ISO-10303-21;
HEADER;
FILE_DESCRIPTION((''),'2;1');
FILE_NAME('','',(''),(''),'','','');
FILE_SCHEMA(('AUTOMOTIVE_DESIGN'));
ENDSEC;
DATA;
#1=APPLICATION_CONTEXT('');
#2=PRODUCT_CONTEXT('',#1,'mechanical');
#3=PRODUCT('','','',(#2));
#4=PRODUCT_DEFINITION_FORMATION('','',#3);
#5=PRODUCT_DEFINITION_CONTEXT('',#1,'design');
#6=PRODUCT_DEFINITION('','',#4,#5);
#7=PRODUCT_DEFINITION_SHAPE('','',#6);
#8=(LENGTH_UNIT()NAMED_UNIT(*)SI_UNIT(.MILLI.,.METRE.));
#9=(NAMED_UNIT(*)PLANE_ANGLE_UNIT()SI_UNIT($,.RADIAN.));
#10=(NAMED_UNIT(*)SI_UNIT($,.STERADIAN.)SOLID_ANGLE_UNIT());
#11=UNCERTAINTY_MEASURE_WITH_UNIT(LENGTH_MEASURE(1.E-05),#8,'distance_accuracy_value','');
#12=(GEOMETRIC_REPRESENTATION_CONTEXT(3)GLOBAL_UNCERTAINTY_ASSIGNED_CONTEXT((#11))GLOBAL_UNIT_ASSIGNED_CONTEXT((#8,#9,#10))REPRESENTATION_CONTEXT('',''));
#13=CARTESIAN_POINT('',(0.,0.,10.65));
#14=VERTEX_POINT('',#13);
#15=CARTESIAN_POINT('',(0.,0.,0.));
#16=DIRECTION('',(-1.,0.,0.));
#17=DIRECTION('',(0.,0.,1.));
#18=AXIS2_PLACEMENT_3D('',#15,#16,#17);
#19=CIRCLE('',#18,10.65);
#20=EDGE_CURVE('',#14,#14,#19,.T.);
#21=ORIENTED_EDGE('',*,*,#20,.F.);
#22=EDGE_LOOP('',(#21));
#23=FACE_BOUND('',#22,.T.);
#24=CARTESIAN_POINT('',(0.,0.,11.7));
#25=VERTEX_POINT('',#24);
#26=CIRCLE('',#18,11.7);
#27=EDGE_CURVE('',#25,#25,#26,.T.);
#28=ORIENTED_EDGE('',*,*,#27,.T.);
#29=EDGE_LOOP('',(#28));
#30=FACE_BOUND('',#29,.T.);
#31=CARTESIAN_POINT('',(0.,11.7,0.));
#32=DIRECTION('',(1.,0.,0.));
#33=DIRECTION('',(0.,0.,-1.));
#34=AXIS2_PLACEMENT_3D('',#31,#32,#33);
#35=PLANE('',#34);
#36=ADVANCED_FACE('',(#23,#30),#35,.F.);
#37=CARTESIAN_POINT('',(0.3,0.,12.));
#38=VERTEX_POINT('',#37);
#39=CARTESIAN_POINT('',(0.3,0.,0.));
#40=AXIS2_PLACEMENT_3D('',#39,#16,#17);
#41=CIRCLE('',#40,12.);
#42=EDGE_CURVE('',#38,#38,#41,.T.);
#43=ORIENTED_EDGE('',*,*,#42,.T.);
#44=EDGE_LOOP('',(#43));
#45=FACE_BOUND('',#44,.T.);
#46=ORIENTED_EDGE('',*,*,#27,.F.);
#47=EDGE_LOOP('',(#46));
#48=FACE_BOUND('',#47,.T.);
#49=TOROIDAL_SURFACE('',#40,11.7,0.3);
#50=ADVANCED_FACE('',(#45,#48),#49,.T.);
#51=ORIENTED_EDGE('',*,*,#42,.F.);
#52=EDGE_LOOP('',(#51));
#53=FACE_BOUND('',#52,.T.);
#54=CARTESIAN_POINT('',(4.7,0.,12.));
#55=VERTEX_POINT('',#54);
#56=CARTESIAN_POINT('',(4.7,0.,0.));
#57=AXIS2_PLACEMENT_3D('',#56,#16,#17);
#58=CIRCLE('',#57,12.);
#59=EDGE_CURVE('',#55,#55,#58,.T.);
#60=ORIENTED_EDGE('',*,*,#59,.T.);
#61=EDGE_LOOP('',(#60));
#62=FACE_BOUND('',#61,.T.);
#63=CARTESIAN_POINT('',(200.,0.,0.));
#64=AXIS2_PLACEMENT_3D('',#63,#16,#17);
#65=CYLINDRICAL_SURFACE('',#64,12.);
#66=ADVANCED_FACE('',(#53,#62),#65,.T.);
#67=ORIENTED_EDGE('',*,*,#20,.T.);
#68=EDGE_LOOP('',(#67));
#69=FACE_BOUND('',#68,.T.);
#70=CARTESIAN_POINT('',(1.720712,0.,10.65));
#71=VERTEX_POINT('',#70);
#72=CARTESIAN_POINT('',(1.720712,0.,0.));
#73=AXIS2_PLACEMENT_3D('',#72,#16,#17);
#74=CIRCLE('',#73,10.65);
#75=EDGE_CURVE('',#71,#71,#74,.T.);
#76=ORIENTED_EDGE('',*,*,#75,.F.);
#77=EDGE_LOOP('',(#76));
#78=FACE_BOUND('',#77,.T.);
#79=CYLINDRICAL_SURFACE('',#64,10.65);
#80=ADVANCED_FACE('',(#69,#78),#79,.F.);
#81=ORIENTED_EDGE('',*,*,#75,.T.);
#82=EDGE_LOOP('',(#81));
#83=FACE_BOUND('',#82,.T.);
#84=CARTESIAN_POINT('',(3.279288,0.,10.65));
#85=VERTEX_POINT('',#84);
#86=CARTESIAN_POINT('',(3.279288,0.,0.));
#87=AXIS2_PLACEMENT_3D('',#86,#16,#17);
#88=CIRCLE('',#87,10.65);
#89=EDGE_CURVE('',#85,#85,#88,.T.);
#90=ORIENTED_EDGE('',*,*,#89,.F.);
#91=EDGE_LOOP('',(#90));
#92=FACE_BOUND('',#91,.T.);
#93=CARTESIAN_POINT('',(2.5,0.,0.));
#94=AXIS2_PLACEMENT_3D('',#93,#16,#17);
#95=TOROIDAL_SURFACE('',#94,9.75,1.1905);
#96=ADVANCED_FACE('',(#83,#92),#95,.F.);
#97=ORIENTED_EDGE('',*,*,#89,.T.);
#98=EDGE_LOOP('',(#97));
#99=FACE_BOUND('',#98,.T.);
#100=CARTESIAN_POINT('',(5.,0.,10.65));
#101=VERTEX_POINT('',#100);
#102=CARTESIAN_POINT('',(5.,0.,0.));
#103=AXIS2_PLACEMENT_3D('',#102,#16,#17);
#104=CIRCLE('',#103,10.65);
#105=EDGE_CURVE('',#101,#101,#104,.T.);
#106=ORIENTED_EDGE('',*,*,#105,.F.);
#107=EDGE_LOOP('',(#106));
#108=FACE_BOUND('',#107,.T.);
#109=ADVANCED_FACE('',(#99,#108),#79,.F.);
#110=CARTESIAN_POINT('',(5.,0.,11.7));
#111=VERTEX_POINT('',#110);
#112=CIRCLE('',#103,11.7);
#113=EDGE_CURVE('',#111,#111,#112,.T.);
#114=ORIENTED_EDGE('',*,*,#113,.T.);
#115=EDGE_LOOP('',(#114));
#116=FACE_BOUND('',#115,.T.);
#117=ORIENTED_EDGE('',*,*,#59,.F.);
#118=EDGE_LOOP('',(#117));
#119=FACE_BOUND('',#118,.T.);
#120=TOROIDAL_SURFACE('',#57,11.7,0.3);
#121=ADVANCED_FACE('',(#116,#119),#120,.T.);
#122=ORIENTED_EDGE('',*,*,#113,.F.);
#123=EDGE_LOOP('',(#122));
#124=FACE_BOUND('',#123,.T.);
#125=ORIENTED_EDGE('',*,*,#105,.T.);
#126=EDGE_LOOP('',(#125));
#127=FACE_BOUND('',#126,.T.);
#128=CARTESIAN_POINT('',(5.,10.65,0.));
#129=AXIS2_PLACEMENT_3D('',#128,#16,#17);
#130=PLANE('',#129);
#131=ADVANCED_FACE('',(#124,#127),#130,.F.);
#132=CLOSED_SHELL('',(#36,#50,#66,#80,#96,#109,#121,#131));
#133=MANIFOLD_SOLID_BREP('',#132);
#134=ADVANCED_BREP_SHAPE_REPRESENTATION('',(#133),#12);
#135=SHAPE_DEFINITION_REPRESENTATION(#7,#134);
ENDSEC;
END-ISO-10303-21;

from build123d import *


with BuildPart() as part:
    # Sketch1 → Revolução1 (revolve)
    with BuildSketch(Plane.XY, mode=Mode.PRIVATE) as revolu_o1_sk:
        with BuildLine():
            Line((0, 11.7), (0, 10.65))
            Line((0, 10.65), (1.720711703, 10.65))
            ThreePointArc((1.720711703, 10.65), (2.5, 10.9405), (3.279288297, 10.65))
            Line((3.279288297, 10.65), (5, 10.65))
            Line((5, 10.65), (5, 11.7))
            ThreePointArc((5, 11.7), (4.912132034, 11.912132034), (4.7, 12))
            Line((4.7, 12), (0.3, 12))
            ThreePointArc((0.3, 12), (0.087867966, 11.912132034), (0, 11.7))
        make_face()
    revolve(revolu_o1_sk.sketch.rotate(Axis((200, 0, 0), (-1, 0, 0)), 270), axis=Axis((200, 0, 0), (-1, 0, 0)))


solid = part.part
